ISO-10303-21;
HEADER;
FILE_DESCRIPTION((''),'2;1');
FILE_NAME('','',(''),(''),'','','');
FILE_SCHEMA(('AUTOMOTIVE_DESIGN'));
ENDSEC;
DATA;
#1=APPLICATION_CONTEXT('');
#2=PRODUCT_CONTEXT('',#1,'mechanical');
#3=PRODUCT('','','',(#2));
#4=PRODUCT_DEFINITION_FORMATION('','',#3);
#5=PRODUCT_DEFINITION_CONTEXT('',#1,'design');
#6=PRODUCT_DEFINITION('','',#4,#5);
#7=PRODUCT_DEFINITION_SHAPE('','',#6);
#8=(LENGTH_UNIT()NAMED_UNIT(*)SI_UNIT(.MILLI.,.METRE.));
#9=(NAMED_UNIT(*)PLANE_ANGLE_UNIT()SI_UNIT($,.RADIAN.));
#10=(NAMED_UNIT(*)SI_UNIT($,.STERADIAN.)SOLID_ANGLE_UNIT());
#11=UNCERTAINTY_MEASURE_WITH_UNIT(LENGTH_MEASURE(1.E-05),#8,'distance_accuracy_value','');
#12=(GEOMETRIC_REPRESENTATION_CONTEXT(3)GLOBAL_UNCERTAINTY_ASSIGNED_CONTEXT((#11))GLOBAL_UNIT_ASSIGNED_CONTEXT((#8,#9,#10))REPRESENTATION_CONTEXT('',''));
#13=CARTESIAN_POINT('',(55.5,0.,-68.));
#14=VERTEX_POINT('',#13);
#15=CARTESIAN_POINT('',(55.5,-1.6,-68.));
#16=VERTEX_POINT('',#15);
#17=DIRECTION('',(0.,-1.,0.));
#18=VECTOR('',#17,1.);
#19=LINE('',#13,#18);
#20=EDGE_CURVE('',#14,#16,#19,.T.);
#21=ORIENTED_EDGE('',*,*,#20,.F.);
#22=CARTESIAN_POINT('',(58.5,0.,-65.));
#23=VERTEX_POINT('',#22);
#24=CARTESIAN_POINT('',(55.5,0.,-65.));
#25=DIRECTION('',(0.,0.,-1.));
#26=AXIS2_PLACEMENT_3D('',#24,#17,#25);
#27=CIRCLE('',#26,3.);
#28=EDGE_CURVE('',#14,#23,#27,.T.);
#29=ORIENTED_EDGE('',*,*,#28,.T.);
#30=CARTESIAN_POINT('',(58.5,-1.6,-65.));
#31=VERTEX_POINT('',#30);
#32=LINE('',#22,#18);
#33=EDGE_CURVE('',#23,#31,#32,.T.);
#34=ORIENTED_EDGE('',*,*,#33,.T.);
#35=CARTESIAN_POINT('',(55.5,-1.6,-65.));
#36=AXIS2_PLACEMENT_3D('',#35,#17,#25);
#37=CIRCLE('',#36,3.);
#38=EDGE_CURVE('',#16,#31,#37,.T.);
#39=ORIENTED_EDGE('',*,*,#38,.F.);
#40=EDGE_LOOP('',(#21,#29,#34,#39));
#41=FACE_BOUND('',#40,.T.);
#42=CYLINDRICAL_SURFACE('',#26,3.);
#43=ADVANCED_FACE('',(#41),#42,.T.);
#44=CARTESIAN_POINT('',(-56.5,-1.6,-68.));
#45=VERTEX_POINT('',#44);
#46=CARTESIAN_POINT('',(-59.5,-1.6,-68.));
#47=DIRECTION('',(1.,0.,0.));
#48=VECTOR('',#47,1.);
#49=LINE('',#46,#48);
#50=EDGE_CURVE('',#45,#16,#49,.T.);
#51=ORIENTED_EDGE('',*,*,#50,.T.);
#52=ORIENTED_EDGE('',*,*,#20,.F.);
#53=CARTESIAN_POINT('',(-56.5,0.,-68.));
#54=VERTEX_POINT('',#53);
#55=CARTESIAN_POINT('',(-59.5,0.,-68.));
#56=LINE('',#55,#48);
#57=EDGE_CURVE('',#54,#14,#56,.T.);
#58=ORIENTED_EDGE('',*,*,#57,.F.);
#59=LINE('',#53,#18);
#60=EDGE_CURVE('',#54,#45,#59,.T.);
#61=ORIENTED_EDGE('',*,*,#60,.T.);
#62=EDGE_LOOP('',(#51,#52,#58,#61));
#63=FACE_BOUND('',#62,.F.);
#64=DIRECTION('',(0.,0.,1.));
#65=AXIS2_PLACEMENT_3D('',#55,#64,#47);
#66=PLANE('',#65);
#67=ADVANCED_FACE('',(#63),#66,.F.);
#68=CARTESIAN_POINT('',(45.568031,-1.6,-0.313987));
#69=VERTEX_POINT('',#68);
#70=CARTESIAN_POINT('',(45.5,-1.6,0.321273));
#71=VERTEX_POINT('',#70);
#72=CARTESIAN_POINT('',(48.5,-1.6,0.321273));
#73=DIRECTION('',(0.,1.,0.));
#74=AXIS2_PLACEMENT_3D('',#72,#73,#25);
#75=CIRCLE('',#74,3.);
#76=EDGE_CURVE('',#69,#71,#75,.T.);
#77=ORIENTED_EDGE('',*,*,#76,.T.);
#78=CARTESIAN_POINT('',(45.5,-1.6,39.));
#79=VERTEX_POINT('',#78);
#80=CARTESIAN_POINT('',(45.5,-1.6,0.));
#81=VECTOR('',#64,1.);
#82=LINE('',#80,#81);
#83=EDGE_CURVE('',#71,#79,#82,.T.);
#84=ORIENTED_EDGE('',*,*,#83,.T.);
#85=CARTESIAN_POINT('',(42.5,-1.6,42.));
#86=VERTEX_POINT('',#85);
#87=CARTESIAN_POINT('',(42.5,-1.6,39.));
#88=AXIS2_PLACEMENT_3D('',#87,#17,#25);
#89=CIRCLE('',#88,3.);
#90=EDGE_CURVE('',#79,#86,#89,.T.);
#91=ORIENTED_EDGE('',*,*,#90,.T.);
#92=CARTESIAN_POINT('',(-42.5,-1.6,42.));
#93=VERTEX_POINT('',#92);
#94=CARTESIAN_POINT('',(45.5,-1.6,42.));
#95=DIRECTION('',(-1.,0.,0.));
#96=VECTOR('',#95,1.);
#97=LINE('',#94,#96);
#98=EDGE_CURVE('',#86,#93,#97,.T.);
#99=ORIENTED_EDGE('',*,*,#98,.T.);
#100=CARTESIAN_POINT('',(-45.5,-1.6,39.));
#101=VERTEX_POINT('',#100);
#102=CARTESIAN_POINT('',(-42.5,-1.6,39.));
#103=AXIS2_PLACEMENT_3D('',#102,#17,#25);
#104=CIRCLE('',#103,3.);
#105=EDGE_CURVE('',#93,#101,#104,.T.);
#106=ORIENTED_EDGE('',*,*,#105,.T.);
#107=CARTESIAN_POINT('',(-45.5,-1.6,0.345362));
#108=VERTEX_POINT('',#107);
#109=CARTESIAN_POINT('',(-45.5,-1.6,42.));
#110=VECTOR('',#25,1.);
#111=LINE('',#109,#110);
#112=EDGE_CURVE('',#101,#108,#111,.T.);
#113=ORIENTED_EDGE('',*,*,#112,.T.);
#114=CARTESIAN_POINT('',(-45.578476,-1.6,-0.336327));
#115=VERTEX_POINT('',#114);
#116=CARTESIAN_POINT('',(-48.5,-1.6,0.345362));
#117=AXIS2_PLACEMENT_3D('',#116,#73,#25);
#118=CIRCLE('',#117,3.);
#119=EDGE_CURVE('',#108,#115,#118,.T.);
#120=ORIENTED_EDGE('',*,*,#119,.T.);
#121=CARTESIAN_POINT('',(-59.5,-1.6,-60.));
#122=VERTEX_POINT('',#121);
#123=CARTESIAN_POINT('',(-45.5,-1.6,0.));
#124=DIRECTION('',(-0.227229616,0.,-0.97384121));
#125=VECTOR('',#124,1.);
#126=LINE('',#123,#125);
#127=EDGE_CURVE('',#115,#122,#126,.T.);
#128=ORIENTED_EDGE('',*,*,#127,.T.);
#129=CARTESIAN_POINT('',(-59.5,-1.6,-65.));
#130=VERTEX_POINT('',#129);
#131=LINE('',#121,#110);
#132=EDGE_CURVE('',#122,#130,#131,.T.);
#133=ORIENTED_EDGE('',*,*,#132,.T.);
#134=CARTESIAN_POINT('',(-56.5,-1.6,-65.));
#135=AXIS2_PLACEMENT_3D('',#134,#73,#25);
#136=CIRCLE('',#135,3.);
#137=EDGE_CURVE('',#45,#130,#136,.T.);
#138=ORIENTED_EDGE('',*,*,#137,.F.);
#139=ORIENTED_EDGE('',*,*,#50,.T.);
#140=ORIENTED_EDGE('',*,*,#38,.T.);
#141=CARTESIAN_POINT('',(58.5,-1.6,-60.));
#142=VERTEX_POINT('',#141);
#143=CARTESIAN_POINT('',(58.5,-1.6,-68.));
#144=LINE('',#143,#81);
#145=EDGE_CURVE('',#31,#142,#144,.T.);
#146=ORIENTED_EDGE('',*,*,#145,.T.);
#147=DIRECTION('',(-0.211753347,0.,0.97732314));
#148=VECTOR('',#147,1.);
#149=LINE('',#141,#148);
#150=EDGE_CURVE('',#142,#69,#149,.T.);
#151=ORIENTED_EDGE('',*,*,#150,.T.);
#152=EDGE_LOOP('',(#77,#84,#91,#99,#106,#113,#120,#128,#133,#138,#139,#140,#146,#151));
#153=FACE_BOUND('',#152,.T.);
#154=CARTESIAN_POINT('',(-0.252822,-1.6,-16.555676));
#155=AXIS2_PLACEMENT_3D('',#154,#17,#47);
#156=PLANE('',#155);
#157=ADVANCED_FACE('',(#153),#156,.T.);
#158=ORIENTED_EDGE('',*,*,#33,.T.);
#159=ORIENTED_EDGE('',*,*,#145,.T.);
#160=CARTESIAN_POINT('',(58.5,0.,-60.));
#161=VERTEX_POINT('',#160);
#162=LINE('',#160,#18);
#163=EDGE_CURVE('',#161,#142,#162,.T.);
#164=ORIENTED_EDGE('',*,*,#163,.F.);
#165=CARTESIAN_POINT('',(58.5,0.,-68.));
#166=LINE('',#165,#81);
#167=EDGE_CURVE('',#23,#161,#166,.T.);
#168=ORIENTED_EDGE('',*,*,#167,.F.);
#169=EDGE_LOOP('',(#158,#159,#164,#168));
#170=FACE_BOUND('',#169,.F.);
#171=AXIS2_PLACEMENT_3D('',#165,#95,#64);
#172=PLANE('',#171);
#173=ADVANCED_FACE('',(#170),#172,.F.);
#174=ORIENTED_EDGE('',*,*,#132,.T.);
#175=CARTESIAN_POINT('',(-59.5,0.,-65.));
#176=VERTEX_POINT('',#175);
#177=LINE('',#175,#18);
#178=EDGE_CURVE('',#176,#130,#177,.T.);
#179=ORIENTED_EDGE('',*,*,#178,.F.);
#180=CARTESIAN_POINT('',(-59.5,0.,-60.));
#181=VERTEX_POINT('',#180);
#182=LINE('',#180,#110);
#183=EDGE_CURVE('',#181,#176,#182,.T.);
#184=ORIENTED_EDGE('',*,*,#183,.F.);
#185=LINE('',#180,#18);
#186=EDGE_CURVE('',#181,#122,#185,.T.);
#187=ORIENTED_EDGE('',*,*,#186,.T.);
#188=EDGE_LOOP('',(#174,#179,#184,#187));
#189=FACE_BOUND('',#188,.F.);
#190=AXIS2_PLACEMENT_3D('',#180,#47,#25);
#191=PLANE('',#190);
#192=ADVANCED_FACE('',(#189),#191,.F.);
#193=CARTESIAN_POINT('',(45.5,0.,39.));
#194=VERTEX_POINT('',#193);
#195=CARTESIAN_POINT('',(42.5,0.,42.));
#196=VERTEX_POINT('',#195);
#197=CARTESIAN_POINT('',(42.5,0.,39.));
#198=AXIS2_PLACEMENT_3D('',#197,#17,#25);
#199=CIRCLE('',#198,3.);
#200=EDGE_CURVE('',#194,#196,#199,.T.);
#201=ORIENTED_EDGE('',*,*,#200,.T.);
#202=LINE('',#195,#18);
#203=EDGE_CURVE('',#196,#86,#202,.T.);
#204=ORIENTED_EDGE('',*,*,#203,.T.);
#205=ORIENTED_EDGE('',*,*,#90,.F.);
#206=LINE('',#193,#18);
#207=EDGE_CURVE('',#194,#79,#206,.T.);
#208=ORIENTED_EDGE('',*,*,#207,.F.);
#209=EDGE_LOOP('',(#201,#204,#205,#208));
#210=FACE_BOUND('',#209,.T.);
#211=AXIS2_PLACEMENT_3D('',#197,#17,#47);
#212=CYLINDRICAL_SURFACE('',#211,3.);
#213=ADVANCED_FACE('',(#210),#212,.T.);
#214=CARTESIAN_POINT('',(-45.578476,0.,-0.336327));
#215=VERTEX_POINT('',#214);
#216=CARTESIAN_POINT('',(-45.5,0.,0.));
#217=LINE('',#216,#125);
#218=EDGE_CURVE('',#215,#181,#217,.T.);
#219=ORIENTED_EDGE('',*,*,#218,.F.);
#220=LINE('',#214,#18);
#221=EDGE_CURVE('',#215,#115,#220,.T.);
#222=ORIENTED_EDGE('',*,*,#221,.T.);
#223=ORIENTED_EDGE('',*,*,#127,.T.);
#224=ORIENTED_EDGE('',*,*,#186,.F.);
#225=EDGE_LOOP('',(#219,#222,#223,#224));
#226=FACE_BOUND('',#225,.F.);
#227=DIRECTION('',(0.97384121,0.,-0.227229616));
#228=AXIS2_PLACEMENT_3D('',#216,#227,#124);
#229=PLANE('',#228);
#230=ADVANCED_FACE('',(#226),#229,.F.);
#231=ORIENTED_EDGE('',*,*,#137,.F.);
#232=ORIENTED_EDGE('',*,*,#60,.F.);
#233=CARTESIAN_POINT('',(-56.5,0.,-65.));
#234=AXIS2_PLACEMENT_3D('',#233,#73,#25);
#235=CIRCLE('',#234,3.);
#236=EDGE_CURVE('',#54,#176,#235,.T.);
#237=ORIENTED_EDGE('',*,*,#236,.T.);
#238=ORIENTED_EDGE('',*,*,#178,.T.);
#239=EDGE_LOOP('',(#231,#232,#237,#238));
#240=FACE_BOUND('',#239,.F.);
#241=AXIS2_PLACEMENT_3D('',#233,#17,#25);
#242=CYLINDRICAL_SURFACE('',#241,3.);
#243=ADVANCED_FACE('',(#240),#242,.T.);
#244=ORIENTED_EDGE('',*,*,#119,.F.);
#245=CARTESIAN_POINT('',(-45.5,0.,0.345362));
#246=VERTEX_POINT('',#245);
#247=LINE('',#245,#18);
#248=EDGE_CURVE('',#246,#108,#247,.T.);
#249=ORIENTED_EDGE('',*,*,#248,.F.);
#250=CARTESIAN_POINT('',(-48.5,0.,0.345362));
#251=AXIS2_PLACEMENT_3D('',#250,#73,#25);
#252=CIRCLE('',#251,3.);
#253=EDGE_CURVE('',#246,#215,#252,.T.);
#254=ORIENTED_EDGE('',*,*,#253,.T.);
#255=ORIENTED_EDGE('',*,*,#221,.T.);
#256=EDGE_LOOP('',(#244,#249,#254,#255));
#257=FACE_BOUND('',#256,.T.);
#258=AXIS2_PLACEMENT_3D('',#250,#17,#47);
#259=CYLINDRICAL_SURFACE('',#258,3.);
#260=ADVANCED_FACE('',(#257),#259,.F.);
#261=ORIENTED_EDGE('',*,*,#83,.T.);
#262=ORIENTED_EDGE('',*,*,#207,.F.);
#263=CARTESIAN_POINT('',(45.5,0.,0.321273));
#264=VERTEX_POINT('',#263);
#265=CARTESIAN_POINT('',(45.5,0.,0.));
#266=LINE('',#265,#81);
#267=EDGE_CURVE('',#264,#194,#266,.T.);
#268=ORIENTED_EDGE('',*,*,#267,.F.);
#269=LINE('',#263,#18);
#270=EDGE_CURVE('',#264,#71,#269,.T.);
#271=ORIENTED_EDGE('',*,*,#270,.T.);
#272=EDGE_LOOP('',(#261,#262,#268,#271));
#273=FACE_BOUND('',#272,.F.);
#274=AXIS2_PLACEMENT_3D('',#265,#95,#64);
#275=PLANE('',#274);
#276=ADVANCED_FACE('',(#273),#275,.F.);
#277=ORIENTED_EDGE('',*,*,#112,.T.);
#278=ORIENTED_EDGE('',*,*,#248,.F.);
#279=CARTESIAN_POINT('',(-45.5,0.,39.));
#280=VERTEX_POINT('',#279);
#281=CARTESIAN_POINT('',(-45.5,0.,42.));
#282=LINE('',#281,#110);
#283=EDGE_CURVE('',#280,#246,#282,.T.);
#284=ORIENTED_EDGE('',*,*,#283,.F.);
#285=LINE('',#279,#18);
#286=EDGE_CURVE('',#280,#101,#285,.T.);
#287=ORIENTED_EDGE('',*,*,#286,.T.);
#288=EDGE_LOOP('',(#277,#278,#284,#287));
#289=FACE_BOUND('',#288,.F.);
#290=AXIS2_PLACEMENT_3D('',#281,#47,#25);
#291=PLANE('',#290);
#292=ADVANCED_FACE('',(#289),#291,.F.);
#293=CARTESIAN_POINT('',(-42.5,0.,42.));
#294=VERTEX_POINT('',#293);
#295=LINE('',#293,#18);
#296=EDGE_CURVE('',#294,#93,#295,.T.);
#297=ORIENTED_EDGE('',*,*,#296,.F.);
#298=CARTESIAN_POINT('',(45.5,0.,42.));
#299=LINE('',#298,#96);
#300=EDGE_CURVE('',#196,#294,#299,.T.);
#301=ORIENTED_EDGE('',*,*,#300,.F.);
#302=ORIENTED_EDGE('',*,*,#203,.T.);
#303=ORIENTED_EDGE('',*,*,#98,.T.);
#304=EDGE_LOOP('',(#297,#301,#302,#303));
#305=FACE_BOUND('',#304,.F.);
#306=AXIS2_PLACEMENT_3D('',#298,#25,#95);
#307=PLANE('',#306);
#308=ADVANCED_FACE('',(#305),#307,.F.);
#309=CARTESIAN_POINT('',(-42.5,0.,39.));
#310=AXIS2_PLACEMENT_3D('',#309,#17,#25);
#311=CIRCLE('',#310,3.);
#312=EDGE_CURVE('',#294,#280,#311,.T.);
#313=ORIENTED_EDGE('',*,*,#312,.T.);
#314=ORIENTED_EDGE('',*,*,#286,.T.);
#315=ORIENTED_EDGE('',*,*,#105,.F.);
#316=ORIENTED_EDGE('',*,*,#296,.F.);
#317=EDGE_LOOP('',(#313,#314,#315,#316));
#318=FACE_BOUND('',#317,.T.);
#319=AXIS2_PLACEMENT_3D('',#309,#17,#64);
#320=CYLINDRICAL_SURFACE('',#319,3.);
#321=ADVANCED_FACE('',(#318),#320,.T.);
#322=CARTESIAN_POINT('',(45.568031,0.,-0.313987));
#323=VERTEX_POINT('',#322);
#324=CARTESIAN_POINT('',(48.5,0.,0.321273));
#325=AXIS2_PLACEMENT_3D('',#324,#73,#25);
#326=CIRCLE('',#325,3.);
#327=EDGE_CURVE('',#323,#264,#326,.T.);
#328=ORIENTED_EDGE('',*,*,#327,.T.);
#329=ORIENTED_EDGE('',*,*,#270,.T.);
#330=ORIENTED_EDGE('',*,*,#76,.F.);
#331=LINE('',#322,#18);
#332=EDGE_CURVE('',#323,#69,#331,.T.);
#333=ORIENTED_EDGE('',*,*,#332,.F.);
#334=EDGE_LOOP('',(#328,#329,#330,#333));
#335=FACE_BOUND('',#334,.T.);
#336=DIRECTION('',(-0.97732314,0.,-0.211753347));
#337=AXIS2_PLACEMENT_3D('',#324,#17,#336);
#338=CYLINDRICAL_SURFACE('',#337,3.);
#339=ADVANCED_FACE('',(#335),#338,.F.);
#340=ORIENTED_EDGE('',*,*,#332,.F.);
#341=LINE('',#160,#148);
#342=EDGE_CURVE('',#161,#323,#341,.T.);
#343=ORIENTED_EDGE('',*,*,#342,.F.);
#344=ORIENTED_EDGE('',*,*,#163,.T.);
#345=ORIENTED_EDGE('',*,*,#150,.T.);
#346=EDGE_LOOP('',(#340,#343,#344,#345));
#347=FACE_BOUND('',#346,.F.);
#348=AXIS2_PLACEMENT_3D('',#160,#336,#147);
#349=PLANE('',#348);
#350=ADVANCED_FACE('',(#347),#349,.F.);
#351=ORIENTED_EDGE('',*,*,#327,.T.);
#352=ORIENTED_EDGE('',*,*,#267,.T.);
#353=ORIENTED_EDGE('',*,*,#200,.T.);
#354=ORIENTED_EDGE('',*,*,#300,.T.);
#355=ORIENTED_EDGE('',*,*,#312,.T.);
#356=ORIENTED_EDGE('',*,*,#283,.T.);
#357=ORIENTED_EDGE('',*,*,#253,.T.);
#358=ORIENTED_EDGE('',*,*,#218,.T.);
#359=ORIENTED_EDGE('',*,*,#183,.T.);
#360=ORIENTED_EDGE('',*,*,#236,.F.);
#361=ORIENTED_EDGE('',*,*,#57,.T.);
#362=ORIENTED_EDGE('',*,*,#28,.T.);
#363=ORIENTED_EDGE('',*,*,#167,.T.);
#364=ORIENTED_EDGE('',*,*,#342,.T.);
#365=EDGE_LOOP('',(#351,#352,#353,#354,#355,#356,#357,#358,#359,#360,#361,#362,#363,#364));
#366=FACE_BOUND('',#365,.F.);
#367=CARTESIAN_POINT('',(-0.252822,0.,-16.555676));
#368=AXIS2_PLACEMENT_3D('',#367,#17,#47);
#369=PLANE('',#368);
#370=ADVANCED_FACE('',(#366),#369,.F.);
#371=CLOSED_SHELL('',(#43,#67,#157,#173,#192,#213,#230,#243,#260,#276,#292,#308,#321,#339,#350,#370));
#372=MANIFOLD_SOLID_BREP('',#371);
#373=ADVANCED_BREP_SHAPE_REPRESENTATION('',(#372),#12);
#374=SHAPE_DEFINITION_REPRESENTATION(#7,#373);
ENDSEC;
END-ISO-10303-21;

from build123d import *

# Parameters (mm, degrees)
F1_DEPTH = 1.6
F2_R     = 3


with BuildPart() as f1:
    # F0 (on Front) → F1 (new body)
    with BuildSketch(Plane.XZ):
        Polygon((-59.5, -68), (58.5, -68), (58.5, -60), (45.5, 0), (45.5, 42), (-45.5, 42), (-45.5, 0), (-59.5, -60), align=None)
    extrude(amount=F1_DEPTH)

    # F2
    f2_edges = [f1.edges().sort_by_distance(p)[0] for p in [
        (-59.5, -0.8, -68),
        (58.5, -0.8, -68),
        (-45.5, -0.8, 42),
        (45.5, -0.8, 42),
        (45.5, -0.8, 0),
        (-45.5, -0.8, 0),
    ]]
    fillet(f2_edges, radius=F2_R)


solid = f1.part
